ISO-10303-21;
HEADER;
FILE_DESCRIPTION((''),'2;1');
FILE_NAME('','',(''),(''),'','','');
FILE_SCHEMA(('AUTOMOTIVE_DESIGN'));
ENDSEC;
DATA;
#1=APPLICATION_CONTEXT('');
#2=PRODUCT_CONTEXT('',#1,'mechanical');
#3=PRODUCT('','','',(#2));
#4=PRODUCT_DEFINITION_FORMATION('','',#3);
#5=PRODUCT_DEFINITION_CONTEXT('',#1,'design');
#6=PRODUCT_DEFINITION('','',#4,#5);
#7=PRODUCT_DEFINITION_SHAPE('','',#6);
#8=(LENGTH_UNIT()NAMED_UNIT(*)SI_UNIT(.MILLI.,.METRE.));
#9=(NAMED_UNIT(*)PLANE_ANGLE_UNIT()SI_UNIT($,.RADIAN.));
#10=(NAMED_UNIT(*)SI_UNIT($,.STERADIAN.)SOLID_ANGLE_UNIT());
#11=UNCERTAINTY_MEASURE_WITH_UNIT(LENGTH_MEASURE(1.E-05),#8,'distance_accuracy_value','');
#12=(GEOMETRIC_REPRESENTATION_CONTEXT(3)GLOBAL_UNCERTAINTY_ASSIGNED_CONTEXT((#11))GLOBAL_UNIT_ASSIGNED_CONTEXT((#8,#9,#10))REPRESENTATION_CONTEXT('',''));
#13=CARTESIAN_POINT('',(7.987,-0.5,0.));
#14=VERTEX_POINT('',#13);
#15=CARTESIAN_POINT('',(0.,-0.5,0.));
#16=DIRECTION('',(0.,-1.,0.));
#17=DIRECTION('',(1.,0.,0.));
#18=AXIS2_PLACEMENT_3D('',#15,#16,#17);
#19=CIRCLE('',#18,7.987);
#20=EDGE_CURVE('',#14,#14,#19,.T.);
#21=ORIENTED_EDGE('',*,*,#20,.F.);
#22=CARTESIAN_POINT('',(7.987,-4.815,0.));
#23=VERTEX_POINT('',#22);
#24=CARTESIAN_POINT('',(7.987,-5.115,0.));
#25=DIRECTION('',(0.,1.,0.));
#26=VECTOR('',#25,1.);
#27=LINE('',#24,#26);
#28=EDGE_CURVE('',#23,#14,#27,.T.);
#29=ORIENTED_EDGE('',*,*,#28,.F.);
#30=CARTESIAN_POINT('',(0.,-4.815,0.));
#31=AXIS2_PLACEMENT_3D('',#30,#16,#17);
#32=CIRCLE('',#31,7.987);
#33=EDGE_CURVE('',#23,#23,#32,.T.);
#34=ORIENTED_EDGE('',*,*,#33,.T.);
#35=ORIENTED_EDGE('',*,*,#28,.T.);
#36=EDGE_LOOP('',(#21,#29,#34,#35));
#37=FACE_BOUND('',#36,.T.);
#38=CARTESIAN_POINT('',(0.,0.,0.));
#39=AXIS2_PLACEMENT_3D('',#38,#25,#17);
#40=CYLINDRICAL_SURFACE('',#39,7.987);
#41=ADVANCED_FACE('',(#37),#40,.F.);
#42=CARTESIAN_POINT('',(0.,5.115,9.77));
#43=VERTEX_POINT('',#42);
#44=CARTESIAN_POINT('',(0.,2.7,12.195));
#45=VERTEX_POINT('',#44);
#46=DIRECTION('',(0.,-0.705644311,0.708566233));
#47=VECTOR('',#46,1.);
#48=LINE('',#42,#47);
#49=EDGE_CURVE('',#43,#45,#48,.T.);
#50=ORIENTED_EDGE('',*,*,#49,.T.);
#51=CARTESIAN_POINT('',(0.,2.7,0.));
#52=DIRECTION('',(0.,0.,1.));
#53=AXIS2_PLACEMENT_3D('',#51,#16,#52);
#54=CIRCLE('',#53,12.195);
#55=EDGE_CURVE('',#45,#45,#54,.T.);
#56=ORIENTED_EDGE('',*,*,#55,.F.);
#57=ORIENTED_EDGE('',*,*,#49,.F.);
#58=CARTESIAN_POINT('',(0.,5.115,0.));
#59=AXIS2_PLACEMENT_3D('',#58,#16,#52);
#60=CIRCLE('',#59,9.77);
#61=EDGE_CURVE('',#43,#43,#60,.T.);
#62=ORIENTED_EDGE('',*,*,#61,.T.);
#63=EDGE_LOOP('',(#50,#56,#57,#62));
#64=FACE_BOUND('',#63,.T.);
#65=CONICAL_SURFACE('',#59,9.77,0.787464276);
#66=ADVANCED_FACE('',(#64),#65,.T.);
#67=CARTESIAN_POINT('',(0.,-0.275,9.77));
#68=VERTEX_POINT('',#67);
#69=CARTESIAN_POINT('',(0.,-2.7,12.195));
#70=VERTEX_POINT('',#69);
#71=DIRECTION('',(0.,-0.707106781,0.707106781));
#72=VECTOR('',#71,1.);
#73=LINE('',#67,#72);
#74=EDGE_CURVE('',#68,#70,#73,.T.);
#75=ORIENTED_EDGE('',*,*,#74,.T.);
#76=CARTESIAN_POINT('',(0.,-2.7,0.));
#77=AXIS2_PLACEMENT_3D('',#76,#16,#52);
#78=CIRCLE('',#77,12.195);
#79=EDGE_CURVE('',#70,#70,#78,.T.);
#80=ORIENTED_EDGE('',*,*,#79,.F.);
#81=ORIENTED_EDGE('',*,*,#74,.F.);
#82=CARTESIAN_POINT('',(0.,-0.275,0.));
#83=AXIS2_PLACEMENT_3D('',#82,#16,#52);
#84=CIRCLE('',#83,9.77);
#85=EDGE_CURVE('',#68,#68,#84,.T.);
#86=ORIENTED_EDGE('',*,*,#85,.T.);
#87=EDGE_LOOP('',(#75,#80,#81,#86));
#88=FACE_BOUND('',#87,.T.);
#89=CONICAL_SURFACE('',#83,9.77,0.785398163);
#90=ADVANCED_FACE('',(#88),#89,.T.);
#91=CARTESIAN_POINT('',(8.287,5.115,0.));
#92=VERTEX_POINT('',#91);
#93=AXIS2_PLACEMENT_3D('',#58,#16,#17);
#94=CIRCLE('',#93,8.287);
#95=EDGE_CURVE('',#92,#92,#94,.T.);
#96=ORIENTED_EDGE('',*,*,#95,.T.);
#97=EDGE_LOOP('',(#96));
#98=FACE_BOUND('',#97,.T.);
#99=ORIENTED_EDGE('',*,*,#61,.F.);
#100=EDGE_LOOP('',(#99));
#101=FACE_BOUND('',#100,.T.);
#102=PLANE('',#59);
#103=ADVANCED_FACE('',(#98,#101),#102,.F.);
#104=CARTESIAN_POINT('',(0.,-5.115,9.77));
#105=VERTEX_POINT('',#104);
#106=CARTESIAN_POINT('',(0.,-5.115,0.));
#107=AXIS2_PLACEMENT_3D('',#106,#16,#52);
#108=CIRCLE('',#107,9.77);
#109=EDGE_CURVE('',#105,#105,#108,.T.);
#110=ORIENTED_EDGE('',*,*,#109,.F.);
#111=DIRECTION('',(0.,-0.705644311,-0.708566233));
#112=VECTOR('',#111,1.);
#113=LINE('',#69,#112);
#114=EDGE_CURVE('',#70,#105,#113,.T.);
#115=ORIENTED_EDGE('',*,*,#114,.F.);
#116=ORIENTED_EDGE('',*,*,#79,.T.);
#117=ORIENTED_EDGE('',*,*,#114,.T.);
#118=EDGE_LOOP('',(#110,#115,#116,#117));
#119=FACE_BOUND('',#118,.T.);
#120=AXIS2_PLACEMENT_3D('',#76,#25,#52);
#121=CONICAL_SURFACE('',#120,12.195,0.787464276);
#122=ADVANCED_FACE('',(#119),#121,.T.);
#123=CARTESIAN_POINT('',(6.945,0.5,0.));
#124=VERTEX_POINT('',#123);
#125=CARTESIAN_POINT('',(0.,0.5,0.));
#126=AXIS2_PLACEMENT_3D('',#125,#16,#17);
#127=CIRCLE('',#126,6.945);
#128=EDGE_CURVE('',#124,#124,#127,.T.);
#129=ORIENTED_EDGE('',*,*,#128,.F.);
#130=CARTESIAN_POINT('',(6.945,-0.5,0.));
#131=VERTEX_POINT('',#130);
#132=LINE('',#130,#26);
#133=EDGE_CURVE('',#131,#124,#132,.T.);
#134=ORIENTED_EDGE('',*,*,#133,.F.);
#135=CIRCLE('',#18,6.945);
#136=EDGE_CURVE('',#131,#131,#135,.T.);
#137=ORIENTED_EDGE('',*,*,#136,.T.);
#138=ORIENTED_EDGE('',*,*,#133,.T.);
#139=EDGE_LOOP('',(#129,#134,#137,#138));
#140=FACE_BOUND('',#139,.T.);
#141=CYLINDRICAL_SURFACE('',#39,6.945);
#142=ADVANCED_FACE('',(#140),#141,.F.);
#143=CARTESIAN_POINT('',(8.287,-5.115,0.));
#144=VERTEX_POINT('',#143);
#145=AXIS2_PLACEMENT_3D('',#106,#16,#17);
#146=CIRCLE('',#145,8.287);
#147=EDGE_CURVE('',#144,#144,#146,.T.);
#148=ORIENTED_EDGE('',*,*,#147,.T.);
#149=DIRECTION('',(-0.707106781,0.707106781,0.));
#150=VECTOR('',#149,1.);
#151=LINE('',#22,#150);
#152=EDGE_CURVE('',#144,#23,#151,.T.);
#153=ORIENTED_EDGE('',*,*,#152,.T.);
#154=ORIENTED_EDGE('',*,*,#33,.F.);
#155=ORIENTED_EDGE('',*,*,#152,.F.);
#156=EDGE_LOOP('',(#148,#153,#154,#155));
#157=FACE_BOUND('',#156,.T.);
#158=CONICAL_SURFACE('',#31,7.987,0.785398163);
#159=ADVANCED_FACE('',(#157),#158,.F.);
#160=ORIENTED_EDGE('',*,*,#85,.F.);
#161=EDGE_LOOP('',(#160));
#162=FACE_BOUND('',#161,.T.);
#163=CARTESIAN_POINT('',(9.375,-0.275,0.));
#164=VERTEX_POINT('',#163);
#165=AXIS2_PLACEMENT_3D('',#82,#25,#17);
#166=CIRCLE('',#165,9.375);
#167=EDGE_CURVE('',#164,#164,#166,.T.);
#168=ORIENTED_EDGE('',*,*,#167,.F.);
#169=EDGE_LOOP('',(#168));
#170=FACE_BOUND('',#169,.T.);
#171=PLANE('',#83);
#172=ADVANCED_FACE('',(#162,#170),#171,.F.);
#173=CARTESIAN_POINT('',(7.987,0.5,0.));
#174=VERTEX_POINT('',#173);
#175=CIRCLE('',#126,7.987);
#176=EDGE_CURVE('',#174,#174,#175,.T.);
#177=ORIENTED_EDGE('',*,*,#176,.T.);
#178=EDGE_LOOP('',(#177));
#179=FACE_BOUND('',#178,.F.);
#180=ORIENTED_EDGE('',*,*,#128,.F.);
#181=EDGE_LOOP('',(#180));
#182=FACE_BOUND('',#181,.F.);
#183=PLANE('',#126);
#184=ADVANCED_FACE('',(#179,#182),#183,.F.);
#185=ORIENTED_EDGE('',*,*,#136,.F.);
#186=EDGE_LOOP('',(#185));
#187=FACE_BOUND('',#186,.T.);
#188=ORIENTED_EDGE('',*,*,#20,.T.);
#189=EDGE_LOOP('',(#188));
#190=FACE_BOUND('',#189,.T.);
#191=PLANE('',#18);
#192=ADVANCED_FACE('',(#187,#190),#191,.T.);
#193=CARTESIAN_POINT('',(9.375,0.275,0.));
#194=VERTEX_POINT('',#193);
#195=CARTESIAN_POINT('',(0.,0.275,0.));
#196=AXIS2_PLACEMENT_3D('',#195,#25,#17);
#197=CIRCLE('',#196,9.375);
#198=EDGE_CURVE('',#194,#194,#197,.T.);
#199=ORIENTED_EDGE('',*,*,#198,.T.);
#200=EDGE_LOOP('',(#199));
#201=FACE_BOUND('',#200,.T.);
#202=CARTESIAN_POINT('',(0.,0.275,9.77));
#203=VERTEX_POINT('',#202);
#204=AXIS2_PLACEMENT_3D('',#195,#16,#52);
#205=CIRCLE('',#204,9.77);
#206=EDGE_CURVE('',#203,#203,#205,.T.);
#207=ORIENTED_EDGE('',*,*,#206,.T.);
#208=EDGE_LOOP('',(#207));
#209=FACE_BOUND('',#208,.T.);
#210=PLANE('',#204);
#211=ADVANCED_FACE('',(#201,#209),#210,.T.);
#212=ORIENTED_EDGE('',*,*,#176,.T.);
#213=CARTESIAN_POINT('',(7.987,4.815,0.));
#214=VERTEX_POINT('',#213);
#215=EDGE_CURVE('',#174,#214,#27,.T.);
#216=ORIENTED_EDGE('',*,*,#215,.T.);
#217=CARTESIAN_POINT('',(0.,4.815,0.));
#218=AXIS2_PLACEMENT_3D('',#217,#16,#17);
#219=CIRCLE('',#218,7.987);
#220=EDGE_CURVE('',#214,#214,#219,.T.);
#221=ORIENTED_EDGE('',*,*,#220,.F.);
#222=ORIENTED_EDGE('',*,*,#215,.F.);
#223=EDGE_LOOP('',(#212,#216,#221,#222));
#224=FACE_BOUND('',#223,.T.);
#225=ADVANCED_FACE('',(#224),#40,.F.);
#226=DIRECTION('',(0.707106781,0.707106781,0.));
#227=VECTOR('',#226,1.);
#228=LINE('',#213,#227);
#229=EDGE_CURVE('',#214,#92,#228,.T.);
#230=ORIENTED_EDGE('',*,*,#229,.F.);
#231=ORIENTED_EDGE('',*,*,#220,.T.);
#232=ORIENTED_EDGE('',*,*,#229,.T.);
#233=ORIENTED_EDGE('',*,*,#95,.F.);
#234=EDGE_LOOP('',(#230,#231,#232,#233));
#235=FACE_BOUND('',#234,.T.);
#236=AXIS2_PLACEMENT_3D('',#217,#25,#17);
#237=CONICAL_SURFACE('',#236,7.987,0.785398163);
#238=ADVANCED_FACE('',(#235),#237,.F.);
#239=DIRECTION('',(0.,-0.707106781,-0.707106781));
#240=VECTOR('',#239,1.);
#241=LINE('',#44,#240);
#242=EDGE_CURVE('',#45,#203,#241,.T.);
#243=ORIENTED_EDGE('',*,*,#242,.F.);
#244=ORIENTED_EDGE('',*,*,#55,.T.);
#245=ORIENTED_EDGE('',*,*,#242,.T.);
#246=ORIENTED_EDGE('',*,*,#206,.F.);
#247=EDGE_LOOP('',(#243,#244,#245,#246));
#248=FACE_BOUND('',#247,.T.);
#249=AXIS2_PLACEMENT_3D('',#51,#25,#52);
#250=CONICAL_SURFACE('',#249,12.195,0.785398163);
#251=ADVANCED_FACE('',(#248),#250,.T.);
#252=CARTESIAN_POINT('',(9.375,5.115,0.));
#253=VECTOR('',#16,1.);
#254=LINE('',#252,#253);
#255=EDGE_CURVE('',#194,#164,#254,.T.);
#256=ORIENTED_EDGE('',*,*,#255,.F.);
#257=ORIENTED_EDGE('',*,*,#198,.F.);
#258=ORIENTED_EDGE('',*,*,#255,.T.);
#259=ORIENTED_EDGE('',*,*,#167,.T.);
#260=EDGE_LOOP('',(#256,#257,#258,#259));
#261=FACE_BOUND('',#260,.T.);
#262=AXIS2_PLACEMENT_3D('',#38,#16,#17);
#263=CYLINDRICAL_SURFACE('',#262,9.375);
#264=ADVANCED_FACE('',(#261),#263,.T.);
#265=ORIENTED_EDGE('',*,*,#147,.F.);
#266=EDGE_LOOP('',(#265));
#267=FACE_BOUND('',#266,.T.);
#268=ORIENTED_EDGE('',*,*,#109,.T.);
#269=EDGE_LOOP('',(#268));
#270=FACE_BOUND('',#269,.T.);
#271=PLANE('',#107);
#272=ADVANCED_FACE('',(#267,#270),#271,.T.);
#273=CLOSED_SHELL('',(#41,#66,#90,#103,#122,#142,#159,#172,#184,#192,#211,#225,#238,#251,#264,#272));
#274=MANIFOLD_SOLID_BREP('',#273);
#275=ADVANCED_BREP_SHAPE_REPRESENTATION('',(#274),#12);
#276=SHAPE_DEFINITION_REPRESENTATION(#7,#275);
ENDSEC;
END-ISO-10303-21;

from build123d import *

# Parameters (mm, degrees)
F0_R     = 9.375
F0_R_2   = 7.987
F1_DEPTH = 5.115
F0_R_3   = 6.945
F2_DEPTH = 0.5
F5_SIZE  = 0.3


with BuildPart() as f1:
    # F0 (on Front) → F1 (new body, symmetric)
    with BuildSketch(Plane.XZ):
        Circle(F0_R)
        Circle(F0_R_2, mode=Mode.SUBTRACT)
    extrude(amount=F1_DEPTH, both=True)

    # F0 (on Front) → F2 (join, symmetric)
    with BuildSketch(Plane.XZ):
        Circle(F0_R_2)
        Circle(F0_R_3, mode=Mode.SUBTRACT)
    extrude(amount=F2_DEPTH, both=True)

    # F3 (on Right) → F4 (revolve)
    with BuildSketch(Plane.YZ):
        Polygon((0.275, 9.77), (0.275, 9.375), (5.115, 9.375), (5.115, 9.77), (2.7, 12.195), align=None)
        Polygon((-5.115, 9.375), (-0.275, 9.375), (-0.275, 9.77), (-2.7, 12.195), (-5.115, 9.77), align=None)
    revolve(axis=Axis((0, -0.5, 0), (0, -1, 0)))

    # F5
    f5_edges = [f1.edges().sort_by_distance(p)[0] for p in [
        (-7.987, 5.115, 0),
        (-7.987, -5.115, 0),
    ]]
    chamfer(f5_edges, length=F5_SIZE)


solid = f1.part
